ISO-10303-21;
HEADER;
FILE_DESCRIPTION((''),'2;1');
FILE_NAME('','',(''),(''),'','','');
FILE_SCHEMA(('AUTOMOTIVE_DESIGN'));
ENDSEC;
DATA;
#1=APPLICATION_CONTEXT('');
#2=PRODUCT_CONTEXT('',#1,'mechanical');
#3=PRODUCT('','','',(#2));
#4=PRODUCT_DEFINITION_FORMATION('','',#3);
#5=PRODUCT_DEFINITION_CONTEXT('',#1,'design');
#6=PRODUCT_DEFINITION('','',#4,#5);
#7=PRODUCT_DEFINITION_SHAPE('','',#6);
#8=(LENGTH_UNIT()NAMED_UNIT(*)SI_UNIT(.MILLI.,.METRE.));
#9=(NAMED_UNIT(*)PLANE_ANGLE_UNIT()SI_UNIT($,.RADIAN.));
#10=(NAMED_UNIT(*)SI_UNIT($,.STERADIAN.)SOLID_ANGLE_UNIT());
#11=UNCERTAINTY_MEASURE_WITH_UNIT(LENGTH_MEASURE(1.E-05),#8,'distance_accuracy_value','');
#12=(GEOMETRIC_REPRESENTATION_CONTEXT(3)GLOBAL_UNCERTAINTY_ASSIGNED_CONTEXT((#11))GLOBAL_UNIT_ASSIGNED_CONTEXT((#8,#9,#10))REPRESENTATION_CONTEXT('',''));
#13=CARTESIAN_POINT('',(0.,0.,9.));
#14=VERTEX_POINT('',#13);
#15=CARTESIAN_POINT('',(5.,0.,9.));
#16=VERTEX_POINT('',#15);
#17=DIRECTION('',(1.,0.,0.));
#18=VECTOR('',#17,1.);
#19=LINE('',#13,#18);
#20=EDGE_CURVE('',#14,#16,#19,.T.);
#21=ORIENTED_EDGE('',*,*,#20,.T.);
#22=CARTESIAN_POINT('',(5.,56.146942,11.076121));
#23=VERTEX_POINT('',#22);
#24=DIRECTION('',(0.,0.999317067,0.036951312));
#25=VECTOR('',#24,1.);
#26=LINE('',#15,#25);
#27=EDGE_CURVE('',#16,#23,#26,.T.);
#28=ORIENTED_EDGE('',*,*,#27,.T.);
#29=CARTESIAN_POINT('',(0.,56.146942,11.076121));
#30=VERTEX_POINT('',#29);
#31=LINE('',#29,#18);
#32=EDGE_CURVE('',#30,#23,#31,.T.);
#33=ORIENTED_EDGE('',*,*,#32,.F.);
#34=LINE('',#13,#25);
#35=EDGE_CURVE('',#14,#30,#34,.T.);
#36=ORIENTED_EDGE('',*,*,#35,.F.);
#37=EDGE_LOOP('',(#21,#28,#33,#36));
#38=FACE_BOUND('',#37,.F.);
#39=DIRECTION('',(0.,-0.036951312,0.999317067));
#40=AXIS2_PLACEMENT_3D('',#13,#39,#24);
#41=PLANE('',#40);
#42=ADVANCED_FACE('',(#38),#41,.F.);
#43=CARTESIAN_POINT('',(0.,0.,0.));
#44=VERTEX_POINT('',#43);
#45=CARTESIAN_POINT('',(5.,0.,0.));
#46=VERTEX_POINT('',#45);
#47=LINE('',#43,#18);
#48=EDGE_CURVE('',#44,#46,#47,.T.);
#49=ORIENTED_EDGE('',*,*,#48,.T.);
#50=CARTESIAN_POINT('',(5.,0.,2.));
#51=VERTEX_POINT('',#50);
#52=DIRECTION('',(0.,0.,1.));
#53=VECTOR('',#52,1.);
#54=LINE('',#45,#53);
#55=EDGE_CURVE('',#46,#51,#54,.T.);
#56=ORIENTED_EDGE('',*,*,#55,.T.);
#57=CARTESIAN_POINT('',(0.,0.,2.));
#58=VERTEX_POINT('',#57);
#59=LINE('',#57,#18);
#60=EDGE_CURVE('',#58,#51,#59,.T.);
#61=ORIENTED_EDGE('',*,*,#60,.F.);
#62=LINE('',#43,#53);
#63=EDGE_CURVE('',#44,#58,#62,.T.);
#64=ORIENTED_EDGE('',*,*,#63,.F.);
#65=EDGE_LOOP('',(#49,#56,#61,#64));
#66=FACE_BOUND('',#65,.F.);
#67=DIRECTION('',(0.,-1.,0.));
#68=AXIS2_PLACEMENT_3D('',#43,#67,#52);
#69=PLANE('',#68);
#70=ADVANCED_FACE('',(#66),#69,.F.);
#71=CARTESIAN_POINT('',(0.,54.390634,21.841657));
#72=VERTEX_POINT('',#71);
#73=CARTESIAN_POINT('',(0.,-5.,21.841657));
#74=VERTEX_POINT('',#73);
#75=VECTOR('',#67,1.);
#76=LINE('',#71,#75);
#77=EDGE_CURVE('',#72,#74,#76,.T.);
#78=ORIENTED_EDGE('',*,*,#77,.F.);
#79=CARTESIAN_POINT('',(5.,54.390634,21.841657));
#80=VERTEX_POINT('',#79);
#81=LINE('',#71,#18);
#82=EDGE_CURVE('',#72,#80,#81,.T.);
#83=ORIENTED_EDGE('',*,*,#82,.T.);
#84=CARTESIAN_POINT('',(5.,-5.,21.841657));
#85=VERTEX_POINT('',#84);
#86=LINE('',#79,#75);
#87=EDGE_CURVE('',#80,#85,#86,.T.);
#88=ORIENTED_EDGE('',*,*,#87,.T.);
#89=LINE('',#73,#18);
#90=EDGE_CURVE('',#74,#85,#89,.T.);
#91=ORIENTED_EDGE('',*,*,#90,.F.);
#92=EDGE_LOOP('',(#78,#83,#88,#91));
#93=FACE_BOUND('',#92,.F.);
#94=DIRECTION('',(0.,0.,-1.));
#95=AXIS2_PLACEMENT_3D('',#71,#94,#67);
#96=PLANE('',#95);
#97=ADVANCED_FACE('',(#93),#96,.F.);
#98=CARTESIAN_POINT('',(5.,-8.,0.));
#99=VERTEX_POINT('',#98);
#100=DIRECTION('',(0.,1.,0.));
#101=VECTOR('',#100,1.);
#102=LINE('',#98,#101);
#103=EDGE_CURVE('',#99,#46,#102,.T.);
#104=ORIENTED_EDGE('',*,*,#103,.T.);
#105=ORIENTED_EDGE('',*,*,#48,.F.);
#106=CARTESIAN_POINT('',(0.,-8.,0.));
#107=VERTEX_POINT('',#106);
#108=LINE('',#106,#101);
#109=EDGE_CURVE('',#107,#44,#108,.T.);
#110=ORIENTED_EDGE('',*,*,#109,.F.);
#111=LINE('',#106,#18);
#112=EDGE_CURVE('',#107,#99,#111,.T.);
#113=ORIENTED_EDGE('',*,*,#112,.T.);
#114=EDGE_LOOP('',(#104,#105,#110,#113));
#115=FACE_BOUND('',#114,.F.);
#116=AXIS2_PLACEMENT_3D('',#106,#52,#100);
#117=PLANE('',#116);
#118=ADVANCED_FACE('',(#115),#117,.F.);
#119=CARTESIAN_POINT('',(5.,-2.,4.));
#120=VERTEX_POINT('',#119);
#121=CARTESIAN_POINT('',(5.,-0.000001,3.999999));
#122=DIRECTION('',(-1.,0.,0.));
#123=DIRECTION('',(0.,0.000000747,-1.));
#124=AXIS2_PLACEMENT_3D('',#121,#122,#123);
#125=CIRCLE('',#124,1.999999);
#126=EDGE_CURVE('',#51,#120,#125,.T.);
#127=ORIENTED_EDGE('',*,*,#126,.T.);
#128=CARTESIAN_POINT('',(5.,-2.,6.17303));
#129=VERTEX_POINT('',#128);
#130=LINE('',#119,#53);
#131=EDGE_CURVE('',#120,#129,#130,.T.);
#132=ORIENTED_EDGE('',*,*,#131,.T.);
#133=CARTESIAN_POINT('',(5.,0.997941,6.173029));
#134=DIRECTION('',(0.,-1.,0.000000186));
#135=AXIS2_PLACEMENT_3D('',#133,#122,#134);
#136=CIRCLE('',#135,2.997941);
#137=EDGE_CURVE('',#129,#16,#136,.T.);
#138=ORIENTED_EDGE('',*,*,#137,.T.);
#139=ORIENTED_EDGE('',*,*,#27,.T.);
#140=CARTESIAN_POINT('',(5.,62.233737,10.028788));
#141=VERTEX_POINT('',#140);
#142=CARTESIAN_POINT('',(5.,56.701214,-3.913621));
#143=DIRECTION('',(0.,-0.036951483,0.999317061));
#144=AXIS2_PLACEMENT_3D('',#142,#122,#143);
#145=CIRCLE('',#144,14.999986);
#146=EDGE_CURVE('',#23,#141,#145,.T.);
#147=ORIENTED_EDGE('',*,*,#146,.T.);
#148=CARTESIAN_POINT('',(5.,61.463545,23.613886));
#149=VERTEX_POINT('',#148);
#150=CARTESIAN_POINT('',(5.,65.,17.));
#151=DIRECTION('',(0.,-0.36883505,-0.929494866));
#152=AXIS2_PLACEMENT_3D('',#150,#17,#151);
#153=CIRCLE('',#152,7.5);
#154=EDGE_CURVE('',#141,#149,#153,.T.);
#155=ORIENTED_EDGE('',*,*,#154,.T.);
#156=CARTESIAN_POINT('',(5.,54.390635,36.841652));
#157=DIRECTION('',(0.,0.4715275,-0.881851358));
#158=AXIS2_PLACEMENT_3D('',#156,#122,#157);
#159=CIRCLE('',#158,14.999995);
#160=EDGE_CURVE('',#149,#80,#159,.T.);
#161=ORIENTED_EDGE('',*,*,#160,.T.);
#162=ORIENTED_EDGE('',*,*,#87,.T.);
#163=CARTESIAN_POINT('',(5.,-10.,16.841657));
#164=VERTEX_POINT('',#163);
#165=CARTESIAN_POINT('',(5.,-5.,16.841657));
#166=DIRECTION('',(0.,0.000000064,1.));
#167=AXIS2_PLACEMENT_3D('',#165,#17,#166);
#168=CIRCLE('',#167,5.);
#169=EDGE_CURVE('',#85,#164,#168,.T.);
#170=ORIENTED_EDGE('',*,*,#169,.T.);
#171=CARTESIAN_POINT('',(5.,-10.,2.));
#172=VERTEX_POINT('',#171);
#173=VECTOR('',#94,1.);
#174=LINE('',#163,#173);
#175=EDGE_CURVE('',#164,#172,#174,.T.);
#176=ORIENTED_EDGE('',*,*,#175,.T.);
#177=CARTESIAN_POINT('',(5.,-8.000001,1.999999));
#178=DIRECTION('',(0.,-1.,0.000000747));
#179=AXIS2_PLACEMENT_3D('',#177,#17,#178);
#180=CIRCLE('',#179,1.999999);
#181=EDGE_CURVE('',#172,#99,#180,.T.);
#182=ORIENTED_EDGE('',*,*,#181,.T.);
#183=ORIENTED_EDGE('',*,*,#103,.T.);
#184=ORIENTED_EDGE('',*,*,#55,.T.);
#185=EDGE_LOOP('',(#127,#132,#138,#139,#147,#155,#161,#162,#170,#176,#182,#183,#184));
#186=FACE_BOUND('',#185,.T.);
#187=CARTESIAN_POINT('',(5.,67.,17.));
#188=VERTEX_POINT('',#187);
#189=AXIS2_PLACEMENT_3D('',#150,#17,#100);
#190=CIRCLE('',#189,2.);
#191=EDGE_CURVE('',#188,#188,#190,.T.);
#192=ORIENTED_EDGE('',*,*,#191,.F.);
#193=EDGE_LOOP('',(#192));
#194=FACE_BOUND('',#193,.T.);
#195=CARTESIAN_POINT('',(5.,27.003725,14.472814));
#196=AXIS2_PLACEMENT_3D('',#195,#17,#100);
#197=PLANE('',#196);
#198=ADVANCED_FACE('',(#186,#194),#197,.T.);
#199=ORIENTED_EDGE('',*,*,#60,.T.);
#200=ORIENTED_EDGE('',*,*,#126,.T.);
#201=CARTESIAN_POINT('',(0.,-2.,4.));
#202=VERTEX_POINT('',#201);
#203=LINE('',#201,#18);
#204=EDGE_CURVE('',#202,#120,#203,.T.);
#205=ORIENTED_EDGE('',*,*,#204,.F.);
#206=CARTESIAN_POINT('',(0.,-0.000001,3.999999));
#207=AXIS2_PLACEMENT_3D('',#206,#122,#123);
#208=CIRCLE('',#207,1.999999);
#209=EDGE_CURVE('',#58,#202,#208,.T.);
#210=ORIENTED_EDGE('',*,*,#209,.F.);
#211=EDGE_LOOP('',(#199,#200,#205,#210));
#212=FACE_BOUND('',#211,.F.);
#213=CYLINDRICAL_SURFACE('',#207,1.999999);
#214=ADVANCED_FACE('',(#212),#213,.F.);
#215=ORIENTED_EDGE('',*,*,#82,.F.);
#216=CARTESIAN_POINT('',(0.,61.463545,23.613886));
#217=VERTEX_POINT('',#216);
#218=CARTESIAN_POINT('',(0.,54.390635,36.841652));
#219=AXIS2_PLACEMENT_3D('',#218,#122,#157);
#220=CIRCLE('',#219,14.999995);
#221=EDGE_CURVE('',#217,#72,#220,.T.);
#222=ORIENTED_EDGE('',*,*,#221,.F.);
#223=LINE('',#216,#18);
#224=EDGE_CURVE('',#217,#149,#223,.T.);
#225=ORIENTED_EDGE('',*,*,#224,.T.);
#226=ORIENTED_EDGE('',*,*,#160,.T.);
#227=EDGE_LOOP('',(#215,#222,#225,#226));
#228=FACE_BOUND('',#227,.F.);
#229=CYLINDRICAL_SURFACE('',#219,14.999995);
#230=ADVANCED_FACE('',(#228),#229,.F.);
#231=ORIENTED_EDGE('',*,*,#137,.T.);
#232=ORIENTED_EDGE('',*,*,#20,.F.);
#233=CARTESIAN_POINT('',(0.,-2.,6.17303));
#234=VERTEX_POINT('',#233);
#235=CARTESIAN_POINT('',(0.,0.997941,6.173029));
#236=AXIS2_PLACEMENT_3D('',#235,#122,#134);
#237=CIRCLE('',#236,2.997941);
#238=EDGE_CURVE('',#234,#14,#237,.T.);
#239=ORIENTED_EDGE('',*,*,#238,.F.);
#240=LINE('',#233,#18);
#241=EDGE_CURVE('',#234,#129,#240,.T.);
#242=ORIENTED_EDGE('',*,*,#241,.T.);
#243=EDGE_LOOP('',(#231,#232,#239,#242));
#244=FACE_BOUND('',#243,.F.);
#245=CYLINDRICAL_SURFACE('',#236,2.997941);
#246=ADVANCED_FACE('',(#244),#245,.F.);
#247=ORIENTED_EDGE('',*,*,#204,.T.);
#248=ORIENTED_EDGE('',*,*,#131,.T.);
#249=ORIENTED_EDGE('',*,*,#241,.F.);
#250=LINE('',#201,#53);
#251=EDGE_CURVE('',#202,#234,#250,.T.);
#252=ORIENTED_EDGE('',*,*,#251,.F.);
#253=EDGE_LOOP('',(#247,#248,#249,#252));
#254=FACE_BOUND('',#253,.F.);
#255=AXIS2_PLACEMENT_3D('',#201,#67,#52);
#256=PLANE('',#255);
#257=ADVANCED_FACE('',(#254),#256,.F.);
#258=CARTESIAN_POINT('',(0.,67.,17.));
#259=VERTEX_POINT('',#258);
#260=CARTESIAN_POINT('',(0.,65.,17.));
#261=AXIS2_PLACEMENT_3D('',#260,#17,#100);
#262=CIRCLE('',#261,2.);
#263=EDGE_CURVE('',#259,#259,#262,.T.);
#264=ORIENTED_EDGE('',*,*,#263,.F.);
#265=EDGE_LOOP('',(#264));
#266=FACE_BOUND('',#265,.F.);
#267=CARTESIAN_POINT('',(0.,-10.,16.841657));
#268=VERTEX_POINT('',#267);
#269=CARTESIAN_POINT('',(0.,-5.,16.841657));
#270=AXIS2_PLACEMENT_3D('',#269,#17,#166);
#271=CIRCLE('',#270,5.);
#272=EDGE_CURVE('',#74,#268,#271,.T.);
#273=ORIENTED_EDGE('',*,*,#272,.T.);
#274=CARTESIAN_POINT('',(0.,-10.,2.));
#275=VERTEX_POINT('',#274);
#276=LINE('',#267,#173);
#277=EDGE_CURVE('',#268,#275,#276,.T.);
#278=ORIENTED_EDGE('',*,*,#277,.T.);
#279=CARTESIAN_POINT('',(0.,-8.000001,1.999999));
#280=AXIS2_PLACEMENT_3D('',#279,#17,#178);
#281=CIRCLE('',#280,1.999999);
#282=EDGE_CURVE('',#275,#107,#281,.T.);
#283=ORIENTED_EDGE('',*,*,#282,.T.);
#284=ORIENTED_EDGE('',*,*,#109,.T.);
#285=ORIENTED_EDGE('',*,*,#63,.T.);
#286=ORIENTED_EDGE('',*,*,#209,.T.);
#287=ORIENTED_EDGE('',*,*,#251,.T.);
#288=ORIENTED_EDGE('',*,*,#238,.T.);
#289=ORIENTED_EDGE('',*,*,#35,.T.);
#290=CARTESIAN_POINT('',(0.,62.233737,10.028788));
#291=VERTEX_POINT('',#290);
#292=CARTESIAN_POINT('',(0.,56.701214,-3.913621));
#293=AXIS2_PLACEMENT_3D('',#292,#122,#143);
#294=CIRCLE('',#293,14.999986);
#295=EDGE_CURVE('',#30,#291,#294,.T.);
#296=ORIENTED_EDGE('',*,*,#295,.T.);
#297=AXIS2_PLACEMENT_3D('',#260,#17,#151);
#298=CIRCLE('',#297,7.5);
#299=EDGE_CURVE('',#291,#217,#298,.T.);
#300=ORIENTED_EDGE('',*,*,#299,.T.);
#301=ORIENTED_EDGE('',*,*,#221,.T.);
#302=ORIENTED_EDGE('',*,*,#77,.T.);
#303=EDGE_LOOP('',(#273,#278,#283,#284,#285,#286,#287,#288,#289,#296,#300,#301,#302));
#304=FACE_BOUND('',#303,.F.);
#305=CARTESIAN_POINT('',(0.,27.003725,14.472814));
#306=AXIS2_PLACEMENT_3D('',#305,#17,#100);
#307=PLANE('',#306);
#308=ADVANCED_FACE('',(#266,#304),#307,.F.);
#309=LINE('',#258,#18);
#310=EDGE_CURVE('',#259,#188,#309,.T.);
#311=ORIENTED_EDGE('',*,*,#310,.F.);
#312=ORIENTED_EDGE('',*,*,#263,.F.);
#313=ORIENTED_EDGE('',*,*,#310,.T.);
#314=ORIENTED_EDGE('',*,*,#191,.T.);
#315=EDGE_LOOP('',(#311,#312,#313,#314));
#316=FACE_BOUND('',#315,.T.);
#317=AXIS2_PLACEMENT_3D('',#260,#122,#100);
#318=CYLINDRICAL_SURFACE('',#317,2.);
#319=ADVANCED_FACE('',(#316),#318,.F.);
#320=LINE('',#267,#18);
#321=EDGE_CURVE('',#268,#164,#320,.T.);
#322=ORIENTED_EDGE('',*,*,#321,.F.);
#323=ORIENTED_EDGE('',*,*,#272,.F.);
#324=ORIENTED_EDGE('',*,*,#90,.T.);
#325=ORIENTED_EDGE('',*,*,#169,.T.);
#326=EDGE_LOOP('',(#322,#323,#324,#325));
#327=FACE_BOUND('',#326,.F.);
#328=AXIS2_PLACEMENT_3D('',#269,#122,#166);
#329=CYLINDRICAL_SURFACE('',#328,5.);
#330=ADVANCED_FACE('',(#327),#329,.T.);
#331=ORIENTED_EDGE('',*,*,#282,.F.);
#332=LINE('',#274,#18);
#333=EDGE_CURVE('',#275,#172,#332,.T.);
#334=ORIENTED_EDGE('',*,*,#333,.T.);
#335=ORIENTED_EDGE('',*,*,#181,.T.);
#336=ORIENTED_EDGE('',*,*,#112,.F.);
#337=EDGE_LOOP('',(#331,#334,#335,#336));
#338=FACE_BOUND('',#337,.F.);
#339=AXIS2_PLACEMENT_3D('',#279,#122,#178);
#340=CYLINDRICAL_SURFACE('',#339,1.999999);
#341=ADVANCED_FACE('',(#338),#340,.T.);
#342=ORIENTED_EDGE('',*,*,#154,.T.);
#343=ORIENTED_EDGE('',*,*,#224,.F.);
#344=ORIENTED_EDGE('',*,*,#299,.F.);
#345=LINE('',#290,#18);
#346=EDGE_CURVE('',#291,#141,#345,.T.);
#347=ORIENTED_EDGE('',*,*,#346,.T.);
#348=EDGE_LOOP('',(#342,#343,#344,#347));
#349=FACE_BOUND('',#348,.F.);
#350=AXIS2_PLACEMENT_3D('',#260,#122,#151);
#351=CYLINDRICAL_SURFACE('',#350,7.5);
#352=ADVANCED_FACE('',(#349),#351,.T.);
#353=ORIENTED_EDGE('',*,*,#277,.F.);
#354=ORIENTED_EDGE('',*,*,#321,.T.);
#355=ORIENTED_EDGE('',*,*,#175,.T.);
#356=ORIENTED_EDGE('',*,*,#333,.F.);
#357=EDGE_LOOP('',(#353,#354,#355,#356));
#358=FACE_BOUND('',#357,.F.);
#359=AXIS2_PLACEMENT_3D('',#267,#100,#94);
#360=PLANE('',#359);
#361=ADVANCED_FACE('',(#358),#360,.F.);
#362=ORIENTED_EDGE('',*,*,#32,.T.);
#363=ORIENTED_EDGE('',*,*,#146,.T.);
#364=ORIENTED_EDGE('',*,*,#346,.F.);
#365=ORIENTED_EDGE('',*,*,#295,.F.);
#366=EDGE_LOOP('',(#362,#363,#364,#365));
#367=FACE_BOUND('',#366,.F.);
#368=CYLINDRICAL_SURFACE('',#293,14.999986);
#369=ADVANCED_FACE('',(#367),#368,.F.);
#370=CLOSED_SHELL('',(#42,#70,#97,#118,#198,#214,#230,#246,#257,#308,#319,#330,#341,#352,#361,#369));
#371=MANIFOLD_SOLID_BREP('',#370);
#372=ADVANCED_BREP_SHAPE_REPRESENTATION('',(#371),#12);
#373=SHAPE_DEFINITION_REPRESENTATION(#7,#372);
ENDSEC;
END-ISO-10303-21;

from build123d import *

# Parameters (mm, degrees)
F0_R     = 2
F1_DEPTH = 5


with BuildPart() as f1:
    # F0 (on Right) → F1 (new body)
    with BuildSketch(Plane.YZ):
        with BuildLine():
            Line((-8, 0), (0, 0))
            Line((0, 0), (0, 2))
            ThreePointArc((0, 2), (-1.414214, 2.585786), (-2, 4))
            Line((-2, 4), (-2, 6.17303))
            ThreePointArc((-2, 6.17303), (-1.449447, 7.904486), (0, 9))
            Line((0, 9), (56.146942, 11.076121))
            ThreePointArc((56.146942, 11.076121), (59.244828, 10.869126), (62.233737, 10.028788))
            ThreePointArc((62.233737, 10.028788), (72.487976, 17.424523), (61.463545, 23.613886))
            ThreePointArc((61.463545, 23.613886), (58.036414, 22.291458), (54.390634, 21.841657))
            Line((54.390634, 21.841657), (-5, 21.841657))
            ThreePointArc((-5, 21.841657), (-8.535534, 20.377191), (-10, 16.841657))
            Line((-10, 16.841657), (-10, 2))
            ThreePointArc((-10, 2), (-9.414214, 0.585786), (-8, 0))
        make_face()
        with Locations((65, 17)):
            Circle(F0_R, mode=Mode.SUBTRACT)
    extrude(amount=F1_DEPTH)


solid = f1.part
